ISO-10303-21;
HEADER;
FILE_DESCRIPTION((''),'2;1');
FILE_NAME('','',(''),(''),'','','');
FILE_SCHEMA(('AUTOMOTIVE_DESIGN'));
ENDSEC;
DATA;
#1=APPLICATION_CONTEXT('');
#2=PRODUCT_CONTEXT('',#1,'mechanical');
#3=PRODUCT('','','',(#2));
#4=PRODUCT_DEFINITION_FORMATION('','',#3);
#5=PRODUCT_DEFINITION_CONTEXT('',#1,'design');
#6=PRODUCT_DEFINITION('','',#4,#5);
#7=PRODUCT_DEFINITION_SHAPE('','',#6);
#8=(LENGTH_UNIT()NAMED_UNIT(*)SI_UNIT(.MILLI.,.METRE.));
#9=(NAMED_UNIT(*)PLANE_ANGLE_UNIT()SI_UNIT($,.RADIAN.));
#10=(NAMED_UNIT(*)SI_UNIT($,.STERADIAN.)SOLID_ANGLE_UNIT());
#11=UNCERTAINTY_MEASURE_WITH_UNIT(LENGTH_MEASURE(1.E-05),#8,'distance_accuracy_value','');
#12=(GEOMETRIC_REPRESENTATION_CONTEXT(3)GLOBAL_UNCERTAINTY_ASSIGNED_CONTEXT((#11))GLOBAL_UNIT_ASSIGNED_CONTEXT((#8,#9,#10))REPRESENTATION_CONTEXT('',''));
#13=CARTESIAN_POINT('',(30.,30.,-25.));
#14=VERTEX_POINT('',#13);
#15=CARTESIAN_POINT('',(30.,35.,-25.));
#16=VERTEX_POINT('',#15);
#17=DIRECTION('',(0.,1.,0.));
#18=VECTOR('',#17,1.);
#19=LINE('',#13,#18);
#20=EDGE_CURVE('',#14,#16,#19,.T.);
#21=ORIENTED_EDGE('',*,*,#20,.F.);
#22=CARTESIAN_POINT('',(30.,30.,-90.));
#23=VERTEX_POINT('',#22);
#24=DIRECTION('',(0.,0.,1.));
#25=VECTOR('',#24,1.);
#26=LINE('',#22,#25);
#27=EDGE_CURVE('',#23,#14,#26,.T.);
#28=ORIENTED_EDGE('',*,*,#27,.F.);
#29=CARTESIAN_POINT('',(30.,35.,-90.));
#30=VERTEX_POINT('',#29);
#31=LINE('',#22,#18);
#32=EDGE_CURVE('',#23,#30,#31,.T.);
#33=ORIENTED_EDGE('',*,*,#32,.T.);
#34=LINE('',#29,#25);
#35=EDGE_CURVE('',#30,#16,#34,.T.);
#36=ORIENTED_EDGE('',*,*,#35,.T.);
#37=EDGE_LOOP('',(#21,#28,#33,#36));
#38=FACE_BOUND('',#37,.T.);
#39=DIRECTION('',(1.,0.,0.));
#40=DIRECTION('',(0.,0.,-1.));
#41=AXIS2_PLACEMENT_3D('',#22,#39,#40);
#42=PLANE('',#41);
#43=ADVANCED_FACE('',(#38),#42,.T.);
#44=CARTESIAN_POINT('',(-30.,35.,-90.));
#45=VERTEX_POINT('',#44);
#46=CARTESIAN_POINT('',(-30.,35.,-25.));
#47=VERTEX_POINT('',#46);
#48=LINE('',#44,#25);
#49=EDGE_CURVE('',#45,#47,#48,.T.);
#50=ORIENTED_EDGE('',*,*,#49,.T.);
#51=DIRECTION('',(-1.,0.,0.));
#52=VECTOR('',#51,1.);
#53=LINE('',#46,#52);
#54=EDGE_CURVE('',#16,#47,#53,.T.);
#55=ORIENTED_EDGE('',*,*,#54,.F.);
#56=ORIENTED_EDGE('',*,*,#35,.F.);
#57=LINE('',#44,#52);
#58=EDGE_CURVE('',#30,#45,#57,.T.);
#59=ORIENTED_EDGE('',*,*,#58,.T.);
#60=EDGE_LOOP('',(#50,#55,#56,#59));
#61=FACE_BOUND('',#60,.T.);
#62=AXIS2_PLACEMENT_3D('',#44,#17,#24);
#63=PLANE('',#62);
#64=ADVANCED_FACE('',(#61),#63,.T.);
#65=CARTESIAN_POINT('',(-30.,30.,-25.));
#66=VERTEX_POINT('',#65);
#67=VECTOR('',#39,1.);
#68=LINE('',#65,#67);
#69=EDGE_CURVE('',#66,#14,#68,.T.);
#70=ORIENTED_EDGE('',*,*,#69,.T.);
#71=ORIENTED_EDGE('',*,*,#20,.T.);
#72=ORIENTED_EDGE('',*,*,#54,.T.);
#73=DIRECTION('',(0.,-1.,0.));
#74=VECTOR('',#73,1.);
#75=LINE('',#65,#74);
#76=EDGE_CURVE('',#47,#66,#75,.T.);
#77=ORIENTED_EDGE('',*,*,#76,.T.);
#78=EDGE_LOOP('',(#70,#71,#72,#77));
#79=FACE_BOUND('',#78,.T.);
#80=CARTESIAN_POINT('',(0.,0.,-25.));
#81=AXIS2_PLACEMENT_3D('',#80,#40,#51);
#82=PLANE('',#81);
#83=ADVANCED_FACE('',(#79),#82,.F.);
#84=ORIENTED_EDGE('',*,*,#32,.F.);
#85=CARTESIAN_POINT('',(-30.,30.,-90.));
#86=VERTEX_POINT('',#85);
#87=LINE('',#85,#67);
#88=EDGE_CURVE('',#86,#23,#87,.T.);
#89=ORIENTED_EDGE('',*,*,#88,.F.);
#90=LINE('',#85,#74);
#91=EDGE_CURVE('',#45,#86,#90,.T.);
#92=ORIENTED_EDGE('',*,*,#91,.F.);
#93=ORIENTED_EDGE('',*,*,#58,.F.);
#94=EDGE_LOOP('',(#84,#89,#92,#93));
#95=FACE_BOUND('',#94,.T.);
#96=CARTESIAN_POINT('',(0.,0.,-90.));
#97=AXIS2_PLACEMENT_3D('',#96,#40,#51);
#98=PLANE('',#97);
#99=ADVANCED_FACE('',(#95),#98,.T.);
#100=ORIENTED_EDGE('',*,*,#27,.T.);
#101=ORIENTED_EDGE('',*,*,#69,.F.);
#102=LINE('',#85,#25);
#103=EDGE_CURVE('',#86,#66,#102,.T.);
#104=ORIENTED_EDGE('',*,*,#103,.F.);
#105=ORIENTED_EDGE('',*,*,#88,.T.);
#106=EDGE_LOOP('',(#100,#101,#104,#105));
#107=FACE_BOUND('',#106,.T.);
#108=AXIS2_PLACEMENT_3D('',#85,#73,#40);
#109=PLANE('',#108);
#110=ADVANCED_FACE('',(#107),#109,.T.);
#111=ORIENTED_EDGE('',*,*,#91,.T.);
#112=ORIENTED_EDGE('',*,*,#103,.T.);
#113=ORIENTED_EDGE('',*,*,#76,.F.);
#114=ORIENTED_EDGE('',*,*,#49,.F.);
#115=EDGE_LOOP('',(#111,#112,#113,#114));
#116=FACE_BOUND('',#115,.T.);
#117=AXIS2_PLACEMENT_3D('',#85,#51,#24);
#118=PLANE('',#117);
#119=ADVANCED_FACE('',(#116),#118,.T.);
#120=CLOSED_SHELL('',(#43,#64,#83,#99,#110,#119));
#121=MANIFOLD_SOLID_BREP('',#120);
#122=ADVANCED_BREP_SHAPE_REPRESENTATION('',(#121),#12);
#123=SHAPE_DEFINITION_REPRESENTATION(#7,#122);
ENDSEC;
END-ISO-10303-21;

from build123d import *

# Parameters (mm, degrees)
KAP_AGIZ_KAPAGI_PC_1_START = -25
SKETCH1_W                  = 60
SKETCH1_H                  = 5
KAP_AGIZ_KAPAGI_PC_1_DEPTH = 65


with BuildPart() as part:
    # Sketch1 → KAP_agiz_kapagi_PC_1 (new body)
    with BuildSketch(Plane.XY.offset(KAP_AGIZ_KAPAGI_PC_1_START)):
        with Locations((0, 32.5)):
            Rectangle(SKETCH1_W, SKETCH1_H)
    extrude(amount=-KAP_AGIZ_KAPAGI_PC_1_DEPTH)


solid = part.part
